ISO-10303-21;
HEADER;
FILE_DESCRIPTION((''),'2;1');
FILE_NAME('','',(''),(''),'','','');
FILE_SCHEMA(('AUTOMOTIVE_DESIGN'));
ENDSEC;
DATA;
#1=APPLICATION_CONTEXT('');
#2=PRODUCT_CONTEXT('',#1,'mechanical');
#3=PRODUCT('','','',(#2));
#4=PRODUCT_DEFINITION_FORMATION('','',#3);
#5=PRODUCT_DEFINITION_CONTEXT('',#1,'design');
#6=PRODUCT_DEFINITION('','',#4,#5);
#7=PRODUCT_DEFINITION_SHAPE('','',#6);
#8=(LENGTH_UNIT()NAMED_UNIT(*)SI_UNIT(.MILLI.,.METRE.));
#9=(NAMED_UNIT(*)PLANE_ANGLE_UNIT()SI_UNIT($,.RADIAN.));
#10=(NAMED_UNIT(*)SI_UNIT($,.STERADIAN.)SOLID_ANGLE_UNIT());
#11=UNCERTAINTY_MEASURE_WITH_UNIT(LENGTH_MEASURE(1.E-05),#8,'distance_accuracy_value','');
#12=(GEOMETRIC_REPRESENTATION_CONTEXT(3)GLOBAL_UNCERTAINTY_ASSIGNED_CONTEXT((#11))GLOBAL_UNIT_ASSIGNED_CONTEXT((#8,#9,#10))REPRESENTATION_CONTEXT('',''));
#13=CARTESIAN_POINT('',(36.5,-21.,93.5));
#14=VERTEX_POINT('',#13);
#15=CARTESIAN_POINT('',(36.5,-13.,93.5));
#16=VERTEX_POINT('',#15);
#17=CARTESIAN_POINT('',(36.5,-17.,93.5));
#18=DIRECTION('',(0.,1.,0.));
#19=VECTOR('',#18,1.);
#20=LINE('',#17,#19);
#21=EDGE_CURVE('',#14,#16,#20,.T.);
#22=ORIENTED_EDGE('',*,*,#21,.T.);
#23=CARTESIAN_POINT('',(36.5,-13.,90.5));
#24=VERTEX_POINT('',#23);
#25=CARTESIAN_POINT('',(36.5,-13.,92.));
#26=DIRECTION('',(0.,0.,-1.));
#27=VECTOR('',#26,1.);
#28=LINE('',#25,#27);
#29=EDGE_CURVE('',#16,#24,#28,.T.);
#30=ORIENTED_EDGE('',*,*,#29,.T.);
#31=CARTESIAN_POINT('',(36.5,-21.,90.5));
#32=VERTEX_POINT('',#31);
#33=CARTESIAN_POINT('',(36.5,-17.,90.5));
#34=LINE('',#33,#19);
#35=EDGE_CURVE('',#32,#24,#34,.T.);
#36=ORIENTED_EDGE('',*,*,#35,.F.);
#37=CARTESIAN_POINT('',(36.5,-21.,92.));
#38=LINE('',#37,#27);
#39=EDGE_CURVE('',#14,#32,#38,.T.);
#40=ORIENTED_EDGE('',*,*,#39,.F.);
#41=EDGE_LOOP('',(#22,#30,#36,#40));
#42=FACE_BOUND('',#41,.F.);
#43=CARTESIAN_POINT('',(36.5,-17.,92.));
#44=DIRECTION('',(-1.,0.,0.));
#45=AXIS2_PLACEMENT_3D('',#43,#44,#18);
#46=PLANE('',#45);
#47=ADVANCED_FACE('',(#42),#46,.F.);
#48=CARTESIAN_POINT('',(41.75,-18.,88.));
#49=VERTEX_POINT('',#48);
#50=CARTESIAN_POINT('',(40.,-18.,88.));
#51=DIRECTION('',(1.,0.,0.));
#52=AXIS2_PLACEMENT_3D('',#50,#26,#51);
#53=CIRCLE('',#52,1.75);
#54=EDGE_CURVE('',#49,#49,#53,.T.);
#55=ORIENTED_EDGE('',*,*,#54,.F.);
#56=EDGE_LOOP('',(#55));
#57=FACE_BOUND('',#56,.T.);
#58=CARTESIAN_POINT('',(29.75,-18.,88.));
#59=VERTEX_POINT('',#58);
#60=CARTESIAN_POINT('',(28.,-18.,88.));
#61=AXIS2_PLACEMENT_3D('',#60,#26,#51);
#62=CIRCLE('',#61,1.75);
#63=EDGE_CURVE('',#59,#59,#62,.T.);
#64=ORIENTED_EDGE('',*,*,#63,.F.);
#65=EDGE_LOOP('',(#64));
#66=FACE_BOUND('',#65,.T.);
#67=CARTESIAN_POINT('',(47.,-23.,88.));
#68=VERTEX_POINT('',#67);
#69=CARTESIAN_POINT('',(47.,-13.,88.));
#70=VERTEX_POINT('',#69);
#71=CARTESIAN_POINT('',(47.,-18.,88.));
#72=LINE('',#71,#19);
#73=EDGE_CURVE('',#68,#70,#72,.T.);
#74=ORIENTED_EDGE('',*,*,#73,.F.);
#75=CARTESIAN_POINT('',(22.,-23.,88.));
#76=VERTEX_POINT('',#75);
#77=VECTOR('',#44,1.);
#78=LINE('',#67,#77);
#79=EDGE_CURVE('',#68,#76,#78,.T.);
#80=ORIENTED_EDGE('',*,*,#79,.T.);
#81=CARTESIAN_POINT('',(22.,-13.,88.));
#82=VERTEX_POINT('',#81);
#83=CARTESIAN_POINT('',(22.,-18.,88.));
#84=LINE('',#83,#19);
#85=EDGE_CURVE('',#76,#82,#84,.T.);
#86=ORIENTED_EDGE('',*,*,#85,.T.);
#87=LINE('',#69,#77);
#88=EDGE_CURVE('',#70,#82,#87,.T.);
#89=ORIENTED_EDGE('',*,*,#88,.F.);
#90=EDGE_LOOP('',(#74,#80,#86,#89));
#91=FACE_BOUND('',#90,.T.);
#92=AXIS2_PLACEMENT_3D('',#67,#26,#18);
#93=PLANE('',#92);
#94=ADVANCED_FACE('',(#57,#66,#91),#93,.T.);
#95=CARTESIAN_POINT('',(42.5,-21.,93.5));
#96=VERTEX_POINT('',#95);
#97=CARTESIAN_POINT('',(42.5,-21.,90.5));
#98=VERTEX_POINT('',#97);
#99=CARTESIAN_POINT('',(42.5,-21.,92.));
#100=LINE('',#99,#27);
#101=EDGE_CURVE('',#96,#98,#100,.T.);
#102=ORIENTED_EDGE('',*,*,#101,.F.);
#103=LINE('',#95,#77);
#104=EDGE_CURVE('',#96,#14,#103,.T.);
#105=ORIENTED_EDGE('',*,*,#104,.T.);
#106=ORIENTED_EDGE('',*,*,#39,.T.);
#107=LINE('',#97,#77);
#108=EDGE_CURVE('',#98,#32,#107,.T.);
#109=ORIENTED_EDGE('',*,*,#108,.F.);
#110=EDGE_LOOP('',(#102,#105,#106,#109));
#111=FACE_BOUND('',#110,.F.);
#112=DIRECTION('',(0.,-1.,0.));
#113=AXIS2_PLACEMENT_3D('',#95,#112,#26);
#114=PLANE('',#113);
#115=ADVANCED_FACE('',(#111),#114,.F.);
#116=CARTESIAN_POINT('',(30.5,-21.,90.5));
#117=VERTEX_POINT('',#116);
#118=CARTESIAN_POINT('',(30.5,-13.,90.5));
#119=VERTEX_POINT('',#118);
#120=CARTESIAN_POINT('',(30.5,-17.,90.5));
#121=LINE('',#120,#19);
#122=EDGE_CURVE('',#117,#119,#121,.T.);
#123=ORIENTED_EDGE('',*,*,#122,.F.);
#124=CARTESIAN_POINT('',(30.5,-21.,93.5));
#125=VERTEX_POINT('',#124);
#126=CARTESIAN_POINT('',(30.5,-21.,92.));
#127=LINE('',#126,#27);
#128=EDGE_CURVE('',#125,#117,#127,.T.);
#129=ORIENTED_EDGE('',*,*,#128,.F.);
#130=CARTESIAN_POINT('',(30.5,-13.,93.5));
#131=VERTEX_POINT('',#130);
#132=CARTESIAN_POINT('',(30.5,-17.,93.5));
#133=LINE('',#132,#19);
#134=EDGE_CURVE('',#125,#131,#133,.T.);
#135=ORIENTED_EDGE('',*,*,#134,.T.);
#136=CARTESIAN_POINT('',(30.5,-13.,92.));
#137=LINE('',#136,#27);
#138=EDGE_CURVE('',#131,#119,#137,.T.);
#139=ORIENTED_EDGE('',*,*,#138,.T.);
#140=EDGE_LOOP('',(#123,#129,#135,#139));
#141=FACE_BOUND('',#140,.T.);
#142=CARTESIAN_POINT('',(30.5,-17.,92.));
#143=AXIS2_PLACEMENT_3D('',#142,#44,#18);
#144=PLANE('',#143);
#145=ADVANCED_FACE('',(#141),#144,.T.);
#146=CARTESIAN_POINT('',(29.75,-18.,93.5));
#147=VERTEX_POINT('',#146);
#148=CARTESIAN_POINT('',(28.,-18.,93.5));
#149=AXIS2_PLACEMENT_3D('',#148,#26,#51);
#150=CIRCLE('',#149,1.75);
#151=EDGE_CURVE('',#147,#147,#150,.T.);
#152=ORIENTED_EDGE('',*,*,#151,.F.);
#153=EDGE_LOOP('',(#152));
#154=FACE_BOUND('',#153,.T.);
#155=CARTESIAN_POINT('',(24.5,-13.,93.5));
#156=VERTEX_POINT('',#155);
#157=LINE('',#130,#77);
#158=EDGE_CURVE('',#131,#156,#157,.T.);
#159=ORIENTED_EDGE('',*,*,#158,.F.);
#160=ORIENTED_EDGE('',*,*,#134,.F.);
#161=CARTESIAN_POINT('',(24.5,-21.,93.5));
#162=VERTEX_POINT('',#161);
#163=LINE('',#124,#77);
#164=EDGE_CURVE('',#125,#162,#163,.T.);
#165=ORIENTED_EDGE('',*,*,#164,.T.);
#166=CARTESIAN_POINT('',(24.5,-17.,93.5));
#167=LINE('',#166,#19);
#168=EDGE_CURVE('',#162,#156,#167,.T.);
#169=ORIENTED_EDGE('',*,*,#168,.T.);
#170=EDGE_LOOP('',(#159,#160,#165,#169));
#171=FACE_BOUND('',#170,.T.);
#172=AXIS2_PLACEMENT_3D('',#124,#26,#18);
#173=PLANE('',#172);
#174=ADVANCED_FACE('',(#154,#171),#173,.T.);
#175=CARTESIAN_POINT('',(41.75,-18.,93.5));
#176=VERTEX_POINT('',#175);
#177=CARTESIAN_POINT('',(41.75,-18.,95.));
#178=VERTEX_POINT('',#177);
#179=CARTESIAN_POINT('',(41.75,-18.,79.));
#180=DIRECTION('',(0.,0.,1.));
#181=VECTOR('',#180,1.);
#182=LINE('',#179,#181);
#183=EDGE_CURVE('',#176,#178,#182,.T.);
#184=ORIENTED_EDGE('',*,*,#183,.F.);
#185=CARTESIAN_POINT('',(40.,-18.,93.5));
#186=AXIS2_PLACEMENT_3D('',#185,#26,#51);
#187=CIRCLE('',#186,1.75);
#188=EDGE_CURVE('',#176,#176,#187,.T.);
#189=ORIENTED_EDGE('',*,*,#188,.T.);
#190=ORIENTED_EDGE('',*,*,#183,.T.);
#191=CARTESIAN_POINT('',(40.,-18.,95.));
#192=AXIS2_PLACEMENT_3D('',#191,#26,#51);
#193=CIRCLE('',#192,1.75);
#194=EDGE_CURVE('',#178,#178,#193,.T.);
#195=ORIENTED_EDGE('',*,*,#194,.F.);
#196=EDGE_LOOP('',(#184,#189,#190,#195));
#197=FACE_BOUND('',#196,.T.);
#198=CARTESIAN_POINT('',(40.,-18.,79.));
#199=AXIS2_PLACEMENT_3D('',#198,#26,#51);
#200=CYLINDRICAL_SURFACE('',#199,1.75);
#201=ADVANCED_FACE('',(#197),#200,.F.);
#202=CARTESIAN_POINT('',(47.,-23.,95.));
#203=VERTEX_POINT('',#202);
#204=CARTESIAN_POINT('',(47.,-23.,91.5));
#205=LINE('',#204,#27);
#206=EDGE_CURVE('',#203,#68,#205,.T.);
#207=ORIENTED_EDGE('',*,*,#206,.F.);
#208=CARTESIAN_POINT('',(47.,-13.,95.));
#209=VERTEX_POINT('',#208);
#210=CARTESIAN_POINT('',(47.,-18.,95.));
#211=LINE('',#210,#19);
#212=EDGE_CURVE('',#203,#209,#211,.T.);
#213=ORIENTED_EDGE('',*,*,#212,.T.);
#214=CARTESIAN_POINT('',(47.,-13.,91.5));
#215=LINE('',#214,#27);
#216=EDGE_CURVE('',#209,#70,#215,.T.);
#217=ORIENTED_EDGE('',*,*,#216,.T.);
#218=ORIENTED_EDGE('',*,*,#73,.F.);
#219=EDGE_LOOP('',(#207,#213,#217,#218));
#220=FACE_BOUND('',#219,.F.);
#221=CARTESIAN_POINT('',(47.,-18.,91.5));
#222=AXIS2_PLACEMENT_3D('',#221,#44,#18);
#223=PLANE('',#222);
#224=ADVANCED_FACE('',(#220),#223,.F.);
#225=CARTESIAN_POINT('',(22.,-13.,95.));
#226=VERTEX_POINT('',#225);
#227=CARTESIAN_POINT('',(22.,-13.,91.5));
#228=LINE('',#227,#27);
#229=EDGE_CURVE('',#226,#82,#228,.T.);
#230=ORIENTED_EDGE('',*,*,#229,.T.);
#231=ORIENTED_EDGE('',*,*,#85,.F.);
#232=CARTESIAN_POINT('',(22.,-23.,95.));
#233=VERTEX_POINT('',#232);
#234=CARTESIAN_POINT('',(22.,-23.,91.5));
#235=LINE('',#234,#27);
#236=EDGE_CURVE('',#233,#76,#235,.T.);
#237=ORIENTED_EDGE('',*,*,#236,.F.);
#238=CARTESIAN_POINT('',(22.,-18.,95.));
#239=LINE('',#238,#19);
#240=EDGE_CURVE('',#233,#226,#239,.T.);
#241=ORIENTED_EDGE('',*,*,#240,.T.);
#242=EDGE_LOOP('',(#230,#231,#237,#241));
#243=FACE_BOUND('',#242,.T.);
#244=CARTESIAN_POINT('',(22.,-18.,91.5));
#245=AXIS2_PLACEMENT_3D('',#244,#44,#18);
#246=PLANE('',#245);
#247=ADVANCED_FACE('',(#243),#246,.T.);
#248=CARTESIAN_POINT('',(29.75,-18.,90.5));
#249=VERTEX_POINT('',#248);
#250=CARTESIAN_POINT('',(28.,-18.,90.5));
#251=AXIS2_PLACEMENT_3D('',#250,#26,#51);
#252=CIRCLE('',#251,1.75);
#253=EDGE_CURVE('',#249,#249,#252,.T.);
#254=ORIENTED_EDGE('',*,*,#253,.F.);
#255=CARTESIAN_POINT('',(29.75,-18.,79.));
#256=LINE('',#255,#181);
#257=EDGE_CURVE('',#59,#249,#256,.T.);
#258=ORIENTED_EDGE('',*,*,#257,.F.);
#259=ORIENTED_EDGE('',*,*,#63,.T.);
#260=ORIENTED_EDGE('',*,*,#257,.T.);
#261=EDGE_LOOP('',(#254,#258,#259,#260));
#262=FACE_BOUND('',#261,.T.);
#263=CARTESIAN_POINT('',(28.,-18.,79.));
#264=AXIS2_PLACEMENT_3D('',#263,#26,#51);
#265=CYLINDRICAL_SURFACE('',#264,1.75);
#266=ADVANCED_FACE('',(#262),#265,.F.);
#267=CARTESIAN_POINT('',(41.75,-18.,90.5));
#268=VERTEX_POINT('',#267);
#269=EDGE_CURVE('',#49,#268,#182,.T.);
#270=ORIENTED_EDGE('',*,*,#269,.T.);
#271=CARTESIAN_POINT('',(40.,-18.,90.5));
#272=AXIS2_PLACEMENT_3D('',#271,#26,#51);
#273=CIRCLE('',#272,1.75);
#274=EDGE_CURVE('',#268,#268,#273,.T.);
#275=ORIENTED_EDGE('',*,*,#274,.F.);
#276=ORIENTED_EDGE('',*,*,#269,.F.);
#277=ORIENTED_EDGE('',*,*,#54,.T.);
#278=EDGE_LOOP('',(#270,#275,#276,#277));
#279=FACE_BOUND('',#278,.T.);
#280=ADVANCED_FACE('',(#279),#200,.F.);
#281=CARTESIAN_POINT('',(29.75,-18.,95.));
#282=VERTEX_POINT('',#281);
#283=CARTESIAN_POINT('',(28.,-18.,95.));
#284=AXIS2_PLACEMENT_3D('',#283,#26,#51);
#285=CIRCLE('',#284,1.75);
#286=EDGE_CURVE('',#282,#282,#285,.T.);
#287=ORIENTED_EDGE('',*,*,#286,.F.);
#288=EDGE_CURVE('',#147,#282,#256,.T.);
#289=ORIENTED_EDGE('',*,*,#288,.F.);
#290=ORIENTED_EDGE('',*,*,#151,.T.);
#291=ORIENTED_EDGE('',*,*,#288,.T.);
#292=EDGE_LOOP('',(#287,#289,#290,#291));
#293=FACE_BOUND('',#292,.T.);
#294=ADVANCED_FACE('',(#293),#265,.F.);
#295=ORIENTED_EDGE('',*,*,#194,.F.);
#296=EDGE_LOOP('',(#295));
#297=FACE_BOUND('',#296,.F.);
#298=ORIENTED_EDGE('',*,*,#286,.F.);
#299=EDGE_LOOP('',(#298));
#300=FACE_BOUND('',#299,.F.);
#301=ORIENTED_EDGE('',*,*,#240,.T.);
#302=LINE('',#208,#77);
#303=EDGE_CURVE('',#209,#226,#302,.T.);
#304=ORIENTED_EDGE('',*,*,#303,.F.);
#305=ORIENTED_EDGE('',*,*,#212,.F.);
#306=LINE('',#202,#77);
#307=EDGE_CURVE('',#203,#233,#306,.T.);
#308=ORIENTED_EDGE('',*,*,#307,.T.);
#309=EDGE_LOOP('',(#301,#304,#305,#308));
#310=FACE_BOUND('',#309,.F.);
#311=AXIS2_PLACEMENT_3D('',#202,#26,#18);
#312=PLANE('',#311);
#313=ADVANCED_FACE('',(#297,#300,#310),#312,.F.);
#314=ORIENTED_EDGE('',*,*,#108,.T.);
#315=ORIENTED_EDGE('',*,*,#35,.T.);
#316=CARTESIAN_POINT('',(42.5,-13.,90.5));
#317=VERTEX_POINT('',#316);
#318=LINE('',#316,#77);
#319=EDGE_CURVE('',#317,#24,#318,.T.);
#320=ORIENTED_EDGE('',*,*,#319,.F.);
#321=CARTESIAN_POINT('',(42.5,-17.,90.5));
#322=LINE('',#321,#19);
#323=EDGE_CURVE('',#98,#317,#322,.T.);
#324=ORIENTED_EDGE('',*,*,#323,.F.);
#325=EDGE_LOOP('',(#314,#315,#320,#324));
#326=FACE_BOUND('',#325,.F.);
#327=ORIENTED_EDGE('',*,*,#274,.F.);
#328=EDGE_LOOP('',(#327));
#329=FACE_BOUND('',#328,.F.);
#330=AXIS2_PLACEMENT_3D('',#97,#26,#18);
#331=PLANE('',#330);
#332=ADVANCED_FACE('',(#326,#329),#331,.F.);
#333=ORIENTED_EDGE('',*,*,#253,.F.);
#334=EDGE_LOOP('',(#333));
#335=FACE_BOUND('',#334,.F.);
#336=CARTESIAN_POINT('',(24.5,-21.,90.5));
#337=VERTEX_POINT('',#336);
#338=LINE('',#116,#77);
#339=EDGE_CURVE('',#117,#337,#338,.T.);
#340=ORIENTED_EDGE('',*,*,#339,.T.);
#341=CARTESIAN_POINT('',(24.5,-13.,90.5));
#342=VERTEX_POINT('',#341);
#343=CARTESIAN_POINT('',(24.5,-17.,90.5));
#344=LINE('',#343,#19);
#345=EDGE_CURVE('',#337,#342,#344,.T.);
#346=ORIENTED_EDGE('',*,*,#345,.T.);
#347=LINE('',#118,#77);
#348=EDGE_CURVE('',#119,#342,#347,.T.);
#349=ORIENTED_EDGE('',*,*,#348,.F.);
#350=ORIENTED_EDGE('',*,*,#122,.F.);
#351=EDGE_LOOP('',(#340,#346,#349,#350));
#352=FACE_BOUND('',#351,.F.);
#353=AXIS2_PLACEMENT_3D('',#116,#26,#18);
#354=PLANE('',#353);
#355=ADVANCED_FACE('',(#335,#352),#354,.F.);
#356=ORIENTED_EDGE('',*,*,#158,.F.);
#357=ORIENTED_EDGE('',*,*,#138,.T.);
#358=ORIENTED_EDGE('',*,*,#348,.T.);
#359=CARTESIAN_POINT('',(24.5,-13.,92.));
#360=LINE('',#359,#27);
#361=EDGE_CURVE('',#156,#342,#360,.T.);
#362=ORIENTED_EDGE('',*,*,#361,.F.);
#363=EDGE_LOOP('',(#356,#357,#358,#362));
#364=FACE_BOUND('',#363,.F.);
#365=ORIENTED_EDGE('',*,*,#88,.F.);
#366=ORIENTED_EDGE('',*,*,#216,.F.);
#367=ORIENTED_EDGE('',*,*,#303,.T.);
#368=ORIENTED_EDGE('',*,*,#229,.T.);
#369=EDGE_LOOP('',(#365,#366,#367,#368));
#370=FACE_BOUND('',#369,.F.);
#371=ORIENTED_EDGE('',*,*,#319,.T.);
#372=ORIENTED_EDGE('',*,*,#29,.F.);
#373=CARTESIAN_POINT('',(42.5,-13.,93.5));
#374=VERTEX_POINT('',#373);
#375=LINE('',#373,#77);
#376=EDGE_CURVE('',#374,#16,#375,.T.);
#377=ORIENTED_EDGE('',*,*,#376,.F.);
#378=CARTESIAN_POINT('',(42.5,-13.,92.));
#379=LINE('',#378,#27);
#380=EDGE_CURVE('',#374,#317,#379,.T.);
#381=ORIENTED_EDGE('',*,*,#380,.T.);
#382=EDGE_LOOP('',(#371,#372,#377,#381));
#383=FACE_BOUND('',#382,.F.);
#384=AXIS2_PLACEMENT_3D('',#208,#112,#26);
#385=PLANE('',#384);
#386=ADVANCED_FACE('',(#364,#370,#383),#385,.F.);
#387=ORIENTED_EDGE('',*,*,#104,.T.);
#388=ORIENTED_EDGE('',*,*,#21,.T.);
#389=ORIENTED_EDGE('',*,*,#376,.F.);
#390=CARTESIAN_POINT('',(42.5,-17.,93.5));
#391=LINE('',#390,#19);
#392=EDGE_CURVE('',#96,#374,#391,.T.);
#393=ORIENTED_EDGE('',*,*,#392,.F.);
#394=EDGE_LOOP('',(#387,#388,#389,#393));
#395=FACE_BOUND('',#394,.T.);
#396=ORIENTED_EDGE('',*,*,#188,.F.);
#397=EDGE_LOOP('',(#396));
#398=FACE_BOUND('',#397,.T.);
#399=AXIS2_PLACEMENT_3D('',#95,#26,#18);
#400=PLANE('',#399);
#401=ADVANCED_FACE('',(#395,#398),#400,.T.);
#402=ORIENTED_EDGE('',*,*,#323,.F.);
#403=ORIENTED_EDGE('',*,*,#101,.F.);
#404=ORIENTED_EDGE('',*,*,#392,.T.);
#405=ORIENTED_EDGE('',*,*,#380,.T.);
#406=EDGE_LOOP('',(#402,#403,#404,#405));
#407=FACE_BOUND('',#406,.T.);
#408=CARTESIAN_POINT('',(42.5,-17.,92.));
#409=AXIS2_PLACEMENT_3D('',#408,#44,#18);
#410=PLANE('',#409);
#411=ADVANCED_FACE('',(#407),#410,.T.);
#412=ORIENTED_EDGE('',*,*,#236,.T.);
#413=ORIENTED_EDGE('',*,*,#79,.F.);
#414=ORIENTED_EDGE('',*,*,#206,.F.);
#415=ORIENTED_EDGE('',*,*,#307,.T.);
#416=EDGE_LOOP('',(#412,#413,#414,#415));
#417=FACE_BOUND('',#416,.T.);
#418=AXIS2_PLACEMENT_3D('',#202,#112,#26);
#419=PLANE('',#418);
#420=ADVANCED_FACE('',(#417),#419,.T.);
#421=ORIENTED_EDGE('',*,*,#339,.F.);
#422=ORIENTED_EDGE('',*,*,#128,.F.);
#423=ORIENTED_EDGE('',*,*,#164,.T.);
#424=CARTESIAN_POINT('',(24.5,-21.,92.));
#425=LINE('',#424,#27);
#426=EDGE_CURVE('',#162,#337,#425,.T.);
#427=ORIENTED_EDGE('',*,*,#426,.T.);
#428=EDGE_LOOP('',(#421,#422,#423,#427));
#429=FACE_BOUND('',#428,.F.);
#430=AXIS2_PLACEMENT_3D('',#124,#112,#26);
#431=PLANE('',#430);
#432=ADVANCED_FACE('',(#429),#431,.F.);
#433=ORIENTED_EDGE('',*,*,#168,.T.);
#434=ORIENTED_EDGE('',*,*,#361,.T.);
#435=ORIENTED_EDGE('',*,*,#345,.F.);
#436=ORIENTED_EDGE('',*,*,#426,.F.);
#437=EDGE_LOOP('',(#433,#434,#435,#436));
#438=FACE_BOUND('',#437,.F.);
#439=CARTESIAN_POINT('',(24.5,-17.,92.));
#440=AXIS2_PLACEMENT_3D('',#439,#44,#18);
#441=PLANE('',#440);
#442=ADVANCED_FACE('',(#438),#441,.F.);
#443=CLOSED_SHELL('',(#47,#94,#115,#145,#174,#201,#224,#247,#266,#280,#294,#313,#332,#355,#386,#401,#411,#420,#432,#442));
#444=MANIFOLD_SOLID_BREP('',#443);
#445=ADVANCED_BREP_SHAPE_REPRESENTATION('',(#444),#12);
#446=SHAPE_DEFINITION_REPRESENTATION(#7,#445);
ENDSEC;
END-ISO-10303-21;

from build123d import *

# Parameters (mm, degrees)
CYLINDER028_R          = 1.75
CYLINDER028_DEPTH      = 20
CYLINDER027_R          = 1.75
CYLINDER027_DEPTH      = 20
BOX045_W               = 8
BOX045_H               = 3
BOX045_DEPTH           = 6
BOX044_W               = 8
BOX044_H               = 3
BOX044_DEPTH           = 6
BOX043_W               = 10
BOX043_H               = 7
BOX043_DEPTH           = 25
CUT044_ROLL_ANGLE      = -90
CUT044_PLACEMENT_ANGLE = 90


with BuildPart() as cylinder063:
    # Cylinder028 → Cylinder028 (new body)
    with BuildSketch(Plane(origin=(40, -18, 77), x_dir=(1, 0, 0), z_dir=(0, 0, 1))):
        Circle(CYLINDER028_R)
    extrude(amount=CYLINDER028_DEPTH)


with BuildPart() as cylinder062:
    # Cylinder027 → Cylinder027 (new body)
    with BuildSketch(Plane(origin=(28, -18, 77), x_dir=(1, 0, 0), z_dir=(0, 0, 1))):
        Circle(CYLINDER027_R)
    extrude(amount=CYLINDER027_DEPTH)


with BuildPart() as cube044:
    # Box045 → Box045 (new body)
    with BuildSketch(Plane(origin=(32, 5.5, 26.5), x_dir=(1, 0, 0), z_dir=(0, 0, 1))):
        with Locations((4, 1.5)):
            Rectangle(BOX045_W, BOX045_H)
    extrude(amount=BOX045_DEPTH)


with BuildPart() as cube043:
    # Box044 → Box044 (new body)
    with BuildSketch(Plane(origin=(32, 5.5, 38.5), x_dir=(1, 0, 0), z_dir=(0, 0, 1))):
        with Locations((4, 1.5)):
            Rectangle(BOX044_W, BOX044_H)
    extrude(amount=BOX044_DEPTH)


with BuildPart() as tuerca_puente:
    # Box043 → Box043 (new body)
    with BuildSketch(Plane(origin=(30, 4, 22), x_dir=(1, 0, 0), z_dir=(0, 0, 1))):
        with Locations((5, 3.5)):
            Rectangle(BOX043_W, BOX043_H)
    extrude(amount=BOX043_DEPTH)

    # Cut043: cut Cube043
    add(cube043.part, mode=Mode.SUBTRACT)

    # Cut044: cut Cube044
    add(cube044.part, mode=Mode.SUBTRACT)


with BuildPart() as tuerca_puente_1:
    # Cut044 roll: moved
    add(tuerca_puente.part.rotate(Axis((0, 0, 0), (1, 0, 0)), CUT044_ROLL_ANGLE))


with BuildPart() as tuerca_puente_2:
    # Cut044 placement: moved
    add(tuerca_puente_1.part.moved(Location((69, -53, 97))).rotate(Axis((69, -53, 97), (0, 0, 1)), CUT044_PLACEMENT_ANGLE))

    # Cut051: cut Cylinder062
    add(cylinder062.part, mode=Mode.SUBTRACT)

    # Cut052: cut Cylinder063
    add(cylinder063.part, mode=Mode.SUBTRACT)


with BuildPart() as tuerca_puente_3:
    # Cut052 placement: moved
    add(tuerca_puente_2.part.moved(Location((0, 0, 2))))


solid = tuerca_puente_3.part
